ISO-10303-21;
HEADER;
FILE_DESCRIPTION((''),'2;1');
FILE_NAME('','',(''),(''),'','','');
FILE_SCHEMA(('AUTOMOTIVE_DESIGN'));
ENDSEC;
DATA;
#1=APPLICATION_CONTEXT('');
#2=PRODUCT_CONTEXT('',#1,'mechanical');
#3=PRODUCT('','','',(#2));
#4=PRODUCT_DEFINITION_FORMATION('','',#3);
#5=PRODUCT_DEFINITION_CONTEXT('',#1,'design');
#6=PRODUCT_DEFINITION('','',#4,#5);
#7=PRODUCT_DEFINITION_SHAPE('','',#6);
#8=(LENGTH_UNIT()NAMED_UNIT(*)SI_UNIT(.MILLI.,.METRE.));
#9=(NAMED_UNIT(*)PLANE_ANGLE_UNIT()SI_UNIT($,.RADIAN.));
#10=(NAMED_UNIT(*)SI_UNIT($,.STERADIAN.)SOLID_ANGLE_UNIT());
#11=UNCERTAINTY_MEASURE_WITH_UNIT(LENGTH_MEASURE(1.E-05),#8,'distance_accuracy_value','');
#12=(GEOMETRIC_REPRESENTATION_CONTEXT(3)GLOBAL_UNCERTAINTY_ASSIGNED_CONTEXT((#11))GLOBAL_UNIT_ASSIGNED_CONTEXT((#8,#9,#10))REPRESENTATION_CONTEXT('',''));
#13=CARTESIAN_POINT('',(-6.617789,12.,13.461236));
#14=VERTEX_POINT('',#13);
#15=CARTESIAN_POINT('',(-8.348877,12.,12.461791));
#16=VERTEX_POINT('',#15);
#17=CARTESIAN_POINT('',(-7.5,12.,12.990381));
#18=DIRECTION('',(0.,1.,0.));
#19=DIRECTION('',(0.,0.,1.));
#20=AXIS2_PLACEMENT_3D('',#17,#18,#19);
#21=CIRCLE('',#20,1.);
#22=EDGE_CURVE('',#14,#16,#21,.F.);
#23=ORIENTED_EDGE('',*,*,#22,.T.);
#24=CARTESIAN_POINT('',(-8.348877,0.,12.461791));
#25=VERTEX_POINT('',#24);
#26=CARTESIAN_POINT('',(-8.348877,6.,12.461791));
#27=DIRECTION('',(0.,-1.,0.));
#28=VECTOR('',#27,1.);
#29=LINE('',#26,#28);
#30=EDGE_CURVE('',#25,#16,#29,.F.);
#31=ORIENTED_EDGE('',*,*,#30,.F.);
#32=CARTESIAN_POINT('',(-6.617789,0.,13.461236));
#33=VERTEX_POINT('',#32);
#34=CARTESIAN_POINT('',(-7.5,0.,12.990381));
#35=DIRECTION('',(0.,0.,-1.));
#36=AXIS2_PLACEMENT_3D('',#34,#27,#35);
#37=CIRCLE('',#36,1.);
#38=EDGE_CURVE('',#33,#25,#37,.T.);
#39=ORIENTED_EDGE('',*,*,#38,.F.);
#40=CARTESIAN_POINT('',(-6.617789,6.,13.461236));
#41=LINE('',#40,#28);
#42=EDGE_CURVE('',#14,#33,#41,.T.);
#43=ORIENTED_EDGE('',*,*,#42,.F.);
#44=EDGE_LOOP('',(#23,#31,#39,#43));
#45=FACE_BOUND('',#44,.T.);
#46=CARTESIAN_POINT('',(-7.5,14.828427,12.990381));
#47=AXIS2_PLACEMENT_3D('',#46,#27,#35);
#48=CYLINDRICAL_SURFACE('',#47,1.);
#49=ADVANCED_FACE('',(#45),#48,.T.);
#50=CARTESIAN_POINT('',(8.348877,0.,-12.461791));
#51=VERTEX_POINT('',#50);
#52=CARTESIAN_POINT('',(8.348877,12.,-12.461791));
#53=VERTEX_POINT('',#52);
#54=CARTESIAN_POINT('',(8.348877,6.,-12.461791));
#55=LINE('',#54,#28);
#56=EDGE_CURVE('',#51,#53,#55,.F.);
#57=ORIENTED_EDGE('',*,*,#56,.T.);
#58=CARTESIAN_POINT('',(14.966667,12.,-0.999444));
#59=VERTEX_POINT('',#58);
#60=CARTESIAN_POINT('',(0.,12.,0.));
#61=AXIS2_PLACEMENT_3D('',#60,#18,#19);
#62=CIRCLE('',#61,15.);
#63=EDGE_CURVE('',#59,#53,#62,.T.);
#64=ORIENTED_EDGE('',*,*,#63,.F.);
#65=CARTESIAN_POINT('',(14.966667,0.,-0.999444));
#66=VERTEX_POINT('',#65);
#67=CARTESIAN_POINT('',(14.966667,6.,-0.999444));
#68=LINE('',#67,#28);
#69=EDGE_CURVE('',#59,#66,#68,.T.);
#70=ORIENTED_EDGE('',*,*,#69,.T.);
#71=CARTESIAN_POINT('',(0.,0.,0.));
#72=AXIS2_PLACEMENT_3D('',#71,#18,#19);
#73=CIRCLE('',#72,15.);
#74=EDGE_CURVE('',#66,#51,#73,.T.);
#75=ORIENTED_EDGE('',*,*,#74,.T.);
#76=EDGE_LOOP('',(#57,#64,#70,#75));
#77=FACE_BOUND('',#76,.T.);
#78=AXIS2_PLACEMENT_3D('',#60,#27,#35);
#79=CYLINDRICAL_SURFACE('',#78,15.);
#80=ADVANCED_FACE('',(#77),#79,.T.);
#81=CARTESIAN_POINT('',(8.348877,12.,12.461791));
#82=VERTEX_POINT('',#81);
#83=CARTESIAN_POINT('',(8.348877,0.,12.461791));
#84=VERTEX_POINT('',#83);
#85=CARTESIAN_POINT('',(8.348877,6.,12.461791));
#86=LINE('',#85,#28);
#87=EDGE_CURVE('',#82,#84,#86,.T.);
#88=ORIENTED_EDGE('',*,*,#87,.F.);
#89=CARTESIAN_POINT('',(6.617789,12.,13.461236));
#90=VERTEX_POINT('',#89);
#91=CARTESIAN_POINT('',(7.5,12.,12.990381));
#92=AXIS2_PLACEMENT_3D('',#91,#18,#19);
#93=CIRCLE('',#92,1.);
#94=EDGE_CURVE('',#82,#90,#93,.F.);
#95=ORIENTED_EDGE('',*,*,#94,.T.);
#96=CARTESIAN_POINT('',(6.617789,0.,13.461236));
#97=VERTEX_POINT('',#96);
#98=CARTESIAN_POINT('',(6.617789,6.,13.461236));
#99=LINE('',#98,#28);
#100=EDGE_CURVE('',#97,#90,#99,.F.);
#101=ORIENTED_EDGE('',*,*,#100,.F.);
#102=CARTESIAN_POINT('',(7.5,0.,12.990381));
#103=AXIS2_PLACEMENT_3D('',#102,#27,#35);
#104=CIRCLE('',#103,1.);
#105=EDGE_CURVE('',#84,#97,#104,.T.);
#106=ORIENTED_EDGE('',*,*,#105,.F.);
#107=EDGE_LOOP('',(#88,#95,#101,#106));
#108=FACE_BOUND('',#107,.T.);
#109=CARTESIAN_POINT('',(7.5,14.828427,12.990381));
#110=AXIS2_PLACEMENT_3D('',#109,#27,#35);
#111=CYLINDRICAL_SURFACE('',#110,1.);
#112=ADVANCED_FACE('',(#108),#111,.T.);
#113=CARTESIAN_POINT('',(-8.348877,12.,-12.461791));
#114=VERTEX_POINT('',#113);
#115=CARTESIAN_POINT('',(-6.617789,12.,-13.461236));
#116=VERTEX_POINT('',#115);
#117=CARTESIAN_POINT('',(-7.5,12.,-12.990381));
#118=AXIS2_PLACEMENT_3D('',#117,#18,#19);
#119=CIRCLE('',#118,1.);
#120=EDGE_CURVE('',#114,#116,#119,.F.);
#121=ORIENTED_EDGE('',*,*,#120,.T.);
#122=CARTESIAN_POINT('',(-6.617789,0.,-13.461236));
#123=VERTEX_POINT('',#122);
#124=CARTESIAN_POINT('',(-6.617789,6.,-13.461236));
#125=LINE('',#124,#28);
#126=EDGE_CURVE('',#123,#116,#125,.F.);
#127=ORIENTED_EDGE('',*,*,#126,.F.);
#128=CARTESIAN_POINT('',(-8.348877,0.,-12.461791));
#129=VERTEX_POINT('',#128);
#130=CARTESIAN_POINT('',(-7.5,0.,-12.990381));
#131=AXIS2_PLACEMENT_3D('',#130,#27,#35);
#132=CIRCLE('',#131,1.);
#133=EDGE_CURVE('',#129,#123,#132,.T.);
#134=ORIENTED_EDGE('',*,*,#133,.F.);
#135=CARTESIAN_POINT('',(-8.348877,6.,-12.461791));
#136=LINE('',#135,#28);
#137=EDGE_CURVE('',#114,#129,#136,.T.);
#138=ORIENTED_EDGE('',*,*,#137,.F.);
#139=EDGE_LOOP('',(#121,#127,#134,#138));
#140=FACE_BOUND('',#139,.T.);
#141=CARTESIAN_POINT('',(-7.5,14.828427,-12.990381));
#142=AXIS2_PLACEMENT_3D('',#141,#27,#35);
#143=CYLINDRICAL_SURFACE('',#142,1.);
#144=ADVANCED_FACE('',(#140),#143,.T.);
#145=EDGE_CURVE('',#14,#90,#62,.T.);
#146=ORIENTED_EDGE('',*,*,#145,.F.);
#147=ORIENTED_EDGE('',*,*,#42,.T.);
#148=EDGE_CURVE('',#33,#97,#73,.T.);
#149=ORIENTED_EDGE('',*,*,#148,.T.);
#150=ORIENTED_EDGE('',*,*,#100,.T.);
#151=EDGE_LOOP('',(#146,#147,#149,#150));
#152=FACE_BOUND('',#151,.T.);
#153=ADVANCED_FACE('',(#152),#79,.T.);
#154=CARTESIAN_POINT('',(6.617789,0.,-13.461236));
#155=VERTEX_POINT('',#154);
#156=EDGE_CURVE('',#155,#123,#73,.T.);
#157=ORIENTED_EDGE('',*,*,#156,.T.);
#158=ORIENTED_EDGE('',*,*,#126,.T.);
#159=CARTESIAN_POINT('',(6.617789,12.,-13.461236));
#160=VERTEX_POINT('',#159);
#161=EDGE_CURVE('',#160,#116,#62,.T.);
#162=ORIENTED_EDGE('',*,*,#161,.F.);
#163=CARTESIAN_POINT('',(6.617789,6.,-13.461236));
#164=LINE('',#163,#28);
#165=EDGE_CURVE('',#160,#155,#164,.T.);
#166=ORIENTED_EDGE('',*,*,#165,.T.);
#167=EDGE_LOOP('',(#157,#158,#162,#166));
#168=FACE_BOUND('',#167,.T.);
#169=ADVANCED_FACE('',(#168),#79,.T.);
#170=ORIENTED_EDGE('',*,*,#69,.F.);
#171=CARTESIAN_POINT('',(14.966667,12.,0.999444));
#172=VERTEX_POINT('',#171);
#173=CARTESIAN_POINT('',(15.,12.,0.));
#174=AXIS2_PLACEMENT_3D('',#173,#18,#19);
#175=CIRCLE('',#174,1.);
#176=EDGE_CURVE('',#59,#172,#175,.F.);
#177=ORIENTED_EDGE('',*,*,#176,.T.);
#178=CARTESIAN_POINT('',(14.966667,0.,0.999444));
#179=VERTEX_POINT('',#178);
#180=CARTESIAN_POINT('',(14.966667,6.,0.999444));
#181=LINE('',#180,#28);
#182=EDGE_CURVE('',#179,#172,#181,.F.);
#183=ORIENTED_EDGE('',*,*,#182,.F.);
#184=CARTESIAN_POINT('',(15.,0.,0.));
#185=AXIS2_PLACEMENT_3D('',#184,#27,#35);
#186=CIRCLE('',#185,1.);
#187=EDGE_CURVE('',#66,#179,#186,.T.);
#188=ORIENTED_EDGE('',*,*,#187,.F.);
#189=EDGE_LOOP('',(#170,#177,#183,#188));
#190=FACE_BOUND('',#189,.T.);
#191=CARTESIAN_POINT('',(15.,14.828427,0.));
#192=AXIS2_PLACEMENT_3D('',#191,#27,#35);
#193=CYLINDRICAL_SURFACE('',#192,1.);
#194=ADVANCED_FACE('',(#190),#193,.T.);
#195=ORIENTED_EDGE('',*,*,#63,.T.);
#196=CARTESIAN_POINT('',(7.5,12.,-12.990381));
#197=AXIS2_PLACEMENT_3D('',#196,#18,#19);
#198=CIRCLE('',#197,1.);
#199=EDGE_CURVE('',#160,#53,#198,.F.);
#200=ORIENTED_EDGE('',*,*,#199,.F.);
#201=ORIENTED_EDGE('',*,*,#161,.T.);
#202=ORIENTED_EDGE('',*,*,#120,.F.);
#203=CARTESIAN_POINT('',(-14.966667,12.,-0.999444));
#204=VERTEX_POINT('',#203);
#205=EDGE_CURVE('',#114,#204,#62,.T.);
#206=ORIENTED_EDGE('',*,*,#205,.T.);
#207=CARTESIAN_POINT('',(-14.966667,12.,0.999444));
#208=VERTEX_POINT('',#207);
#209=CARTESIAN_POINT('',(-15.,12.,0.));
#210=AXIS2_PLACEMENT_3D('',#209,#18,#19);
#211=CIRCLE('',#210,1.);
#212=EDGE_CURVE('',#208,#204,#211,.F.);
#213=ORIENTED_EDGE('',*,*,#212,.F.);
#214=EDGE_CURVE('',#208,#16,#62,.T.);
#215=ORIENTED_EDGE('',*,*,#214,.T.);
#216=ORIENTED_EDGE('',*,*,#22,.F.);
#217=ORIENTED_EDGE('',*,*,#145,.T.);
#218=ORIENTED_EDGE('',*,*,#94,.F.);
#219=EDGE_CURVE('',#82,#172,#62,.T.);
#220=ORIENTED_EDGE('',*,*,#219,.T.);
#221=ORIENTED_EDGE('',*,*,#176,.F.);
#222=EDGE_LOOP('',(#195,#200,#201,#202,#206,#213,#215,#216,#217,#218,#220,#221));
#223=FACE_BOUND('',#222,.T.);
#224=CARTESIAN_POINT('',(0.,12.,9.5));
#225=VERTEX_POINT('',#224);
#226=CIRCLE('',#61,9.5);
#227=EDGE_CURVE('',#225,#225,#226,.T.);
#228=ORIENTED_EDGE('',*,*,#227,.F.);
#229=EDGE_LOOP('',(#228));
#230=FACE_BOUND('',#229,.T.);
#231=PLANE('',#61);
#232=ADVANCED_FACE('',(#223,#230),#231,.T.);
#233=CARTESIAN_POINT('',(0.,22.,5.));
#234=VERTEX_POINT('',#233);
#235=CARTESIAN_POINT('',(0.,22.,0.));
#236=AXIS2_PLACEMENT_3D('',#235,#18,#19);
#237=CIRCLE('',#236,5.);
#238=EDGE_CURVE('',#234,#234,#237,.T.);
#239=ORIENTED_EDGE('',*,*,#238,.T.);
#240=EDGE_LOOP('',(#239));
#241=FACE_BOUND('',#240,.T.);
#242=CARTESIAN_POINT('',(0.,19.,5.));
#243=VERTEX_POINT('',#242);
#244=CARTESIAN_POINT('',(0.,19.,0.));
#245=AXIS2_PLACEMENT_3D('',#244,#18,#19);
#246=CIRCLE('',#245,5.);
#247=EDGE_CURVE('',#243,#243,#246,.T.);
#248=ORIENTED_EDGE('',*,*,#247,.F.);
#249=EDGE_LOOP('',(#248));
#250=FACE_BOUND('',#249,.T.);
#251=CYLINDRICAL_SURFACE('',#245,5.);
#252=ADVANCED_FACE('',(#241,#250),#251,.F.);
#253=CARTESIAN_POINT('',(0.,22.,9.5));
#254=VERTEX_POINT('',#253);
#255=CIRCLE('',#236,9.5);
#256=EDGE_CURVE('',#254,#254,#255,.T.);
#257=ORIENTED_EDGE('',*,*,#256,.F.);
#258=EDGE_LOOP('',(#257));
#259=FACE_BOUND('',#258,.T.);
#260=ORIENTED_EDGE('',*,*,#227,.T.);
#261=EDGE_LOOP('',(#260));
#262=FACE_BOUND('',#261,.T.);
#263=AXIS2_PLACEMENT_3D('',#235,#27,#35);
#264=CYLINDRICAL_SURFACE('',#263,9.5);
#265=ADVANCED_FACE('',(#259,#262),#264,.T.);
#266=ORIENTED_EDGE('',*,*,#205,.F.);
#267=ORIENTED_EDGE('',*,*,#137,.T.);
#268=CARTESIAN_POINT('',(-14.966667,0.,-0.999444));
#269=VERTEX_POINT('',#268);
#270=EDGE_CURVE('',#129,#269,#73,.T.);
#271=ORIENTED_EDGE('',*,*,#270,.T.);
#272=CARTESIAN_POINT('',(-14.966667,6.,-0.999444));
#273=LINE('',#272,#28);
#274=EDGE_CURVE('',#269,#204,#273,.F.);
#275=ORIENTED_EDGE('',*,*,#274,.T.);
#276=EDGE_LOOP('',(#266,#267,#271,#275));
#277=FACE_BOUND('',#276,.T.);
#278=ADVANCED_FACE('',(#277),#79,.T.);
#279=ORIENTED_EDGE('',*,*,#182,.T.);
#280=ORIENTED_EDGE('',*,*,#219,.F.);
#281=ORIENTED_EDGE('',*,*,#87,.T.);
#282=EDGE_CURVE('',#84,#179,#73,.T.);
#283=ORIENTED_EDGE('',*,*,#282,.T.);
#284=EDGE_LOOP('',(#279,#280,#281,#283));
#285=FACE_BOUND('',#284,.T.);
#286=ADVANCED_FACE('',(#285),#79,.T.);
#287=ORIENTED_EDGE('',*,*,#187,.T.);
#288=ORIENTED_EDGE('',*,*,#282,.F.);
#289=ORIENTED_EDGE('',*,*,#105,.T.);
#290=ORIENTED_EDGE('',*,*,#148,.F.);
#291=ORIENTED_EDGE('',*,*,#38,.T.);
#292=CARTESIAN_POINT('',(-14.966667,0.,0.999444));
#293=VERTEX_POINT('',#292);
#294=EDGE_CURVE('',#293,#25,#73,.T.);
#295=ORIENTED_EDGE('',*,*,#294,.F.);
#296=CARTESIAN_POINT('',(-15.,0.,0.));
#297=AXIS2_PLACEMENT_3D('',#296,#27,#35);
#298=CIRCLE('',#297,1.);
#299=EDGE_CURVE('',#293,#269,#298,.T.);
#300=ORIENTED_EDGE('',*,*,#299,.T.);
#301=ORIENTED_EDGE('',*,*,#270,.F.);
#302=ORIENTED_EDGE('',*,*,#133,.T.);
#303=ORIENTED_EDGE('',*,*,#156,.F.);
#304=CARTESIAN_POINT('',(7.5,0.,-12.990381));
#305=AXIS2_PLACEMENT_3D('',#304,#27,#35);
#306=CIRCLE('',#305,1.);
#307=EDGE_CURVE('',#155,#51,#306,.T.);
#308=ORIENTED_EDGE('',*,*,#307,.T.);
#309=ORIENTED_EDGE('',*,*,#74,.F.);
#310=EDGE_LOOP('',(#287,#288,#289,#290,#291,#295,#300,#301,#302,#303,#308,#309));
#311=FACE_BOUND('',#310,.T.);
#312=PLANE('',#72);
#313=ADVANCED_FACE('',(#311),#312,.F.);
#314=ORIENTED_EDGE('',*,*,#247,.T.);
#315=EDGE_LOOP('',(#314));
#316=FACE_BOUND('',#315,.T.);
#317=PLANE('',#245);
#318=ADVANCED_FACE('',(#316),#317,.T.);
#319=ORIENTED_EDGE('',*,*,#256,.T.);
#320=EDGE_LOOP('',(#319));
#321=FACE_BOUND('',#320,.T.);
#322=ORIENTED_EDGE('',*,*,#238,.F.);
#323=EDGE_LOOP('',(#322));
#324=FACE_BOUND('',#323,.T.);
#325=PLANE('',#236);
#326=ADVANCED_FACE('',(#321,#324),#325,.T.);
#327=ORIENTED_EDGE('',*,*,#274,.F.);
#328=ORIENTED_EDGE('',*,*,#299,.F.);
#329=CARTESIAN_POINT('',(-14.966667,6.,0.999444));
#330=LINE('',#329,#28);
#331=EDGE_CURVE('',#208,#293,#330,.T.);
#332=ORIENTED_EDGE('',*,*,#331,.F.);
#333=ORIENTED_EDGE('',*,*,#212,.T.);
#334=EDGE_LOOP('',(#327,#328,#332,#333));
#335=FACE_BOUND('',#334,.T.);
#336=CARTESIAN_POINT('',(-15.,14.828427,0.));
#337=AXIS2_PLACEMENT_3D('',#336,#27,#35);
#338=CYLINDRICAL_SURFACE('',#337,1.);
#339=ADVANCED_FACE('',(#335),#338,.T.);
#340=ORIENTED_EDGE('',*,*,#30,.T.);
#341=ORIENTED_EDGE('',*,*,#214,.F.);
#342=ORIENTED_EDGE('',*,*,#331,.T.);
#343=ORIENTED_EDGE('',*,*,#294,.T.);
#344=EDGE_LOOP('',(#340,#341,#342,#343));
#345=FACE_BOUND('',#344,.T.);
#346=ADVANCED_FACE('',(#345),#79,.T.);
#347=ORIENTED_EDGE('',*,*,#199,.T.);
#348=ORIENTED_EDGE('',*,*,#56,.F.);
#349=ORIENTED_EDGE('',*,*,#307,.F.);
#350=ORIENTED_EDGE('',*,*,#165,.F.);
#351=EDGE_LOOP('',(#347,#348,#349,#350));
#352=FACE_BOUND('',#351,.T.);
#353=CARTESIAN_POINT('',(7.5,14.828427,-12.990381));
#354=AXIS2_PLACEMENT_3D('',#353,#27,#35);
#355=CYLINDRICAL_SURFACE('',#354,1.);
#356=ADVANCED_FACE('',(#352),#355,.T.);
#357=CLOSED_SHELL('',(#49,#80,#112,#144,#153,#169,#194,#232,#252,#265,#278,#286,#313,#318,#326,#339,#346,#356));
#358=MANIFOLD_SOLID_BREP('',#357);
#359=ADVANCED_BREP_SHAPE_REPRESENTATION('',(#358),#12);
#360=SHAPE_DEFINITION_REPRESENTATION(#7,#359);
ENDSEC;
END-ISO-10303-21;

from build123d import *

# Parameters (mm, degrees)
SKETCH1_R           = 15
BOSS_EXTRUDE1_DEPTH = 12
SKETCH2_R           = 9.5
BOSS_EXTRUDE2_DEPTH = 10
SKETCH3_R           = 5
CUT_EXTRUDE1_DEPTH  = 3
SKETCH4_R           = 1
BOSS_EXTRUDE3_DEPTH = 12


with BuildPart() as part:
    # Sketch1 → Boss-Extrude1 (new body)
    with BuildSketch(Plane(origin=(0, 0, 0), x_dir=(1, 0, 0), z_dir=(0, 1, 0))):
        with Locations(Location((0, 0, 0), (0, 0, 270))):
            Circle(SKETCH1_R)
    extrude(amount=BOSS_EXTRUDE1_DEPTH)

    # Sketch2 → Boss-Extrude2 (add)
    with BuildSketch(Plane(origin=(0, 12, 0), x_dir=(1, 0, 0), z_dir=(0, 1, 0))):
        with Locations(Location((0, 0, 0), (0, 0, 270))):
            Circle(SKETCH2_R)
    extrude(amount=BOSS_EXTRUDE2_DEPTH)

    # Sketch3 → Cut-Extrude1 (cut)
    with BuildSketch(Plane(origin=(0, 22, 0), x_dir=(1, 0, 0), z_dir=(0, 1, 0))):
        with Locations(Location((0, 0, 0), (0, 0, 270))):
            Circle(SKETCH3_R)
    extrude(amount=-CUT_EXTRUDE1_DEPTH, mode=Mode.SUBTRACT)

    # Sketch4 → Boss-Extrude3 (add)
    with BuildSketch(Plane.XZ):
        with Locations((15, 0)):
            Circle(SKETCH4_R)
        with Locations((7.5, -12.990381057)):
            Circle(SKETCH4_R)
        with Locations((-7.5, -12.990381057)):
            Circle(SKETCH4_R)
        with Locations((-15, 0)):
            Circle(SKETCH4_R)
        with Locations((-7.5, 12.990381057)):
            Circle(SKETCH4_R)
        with Locations((7.5, 12.990381057)):
            Circle(SKETCH4_R)
    extrude(amount=-BOSS_EXTRUDE3_DEPTH)


solid = part.part
